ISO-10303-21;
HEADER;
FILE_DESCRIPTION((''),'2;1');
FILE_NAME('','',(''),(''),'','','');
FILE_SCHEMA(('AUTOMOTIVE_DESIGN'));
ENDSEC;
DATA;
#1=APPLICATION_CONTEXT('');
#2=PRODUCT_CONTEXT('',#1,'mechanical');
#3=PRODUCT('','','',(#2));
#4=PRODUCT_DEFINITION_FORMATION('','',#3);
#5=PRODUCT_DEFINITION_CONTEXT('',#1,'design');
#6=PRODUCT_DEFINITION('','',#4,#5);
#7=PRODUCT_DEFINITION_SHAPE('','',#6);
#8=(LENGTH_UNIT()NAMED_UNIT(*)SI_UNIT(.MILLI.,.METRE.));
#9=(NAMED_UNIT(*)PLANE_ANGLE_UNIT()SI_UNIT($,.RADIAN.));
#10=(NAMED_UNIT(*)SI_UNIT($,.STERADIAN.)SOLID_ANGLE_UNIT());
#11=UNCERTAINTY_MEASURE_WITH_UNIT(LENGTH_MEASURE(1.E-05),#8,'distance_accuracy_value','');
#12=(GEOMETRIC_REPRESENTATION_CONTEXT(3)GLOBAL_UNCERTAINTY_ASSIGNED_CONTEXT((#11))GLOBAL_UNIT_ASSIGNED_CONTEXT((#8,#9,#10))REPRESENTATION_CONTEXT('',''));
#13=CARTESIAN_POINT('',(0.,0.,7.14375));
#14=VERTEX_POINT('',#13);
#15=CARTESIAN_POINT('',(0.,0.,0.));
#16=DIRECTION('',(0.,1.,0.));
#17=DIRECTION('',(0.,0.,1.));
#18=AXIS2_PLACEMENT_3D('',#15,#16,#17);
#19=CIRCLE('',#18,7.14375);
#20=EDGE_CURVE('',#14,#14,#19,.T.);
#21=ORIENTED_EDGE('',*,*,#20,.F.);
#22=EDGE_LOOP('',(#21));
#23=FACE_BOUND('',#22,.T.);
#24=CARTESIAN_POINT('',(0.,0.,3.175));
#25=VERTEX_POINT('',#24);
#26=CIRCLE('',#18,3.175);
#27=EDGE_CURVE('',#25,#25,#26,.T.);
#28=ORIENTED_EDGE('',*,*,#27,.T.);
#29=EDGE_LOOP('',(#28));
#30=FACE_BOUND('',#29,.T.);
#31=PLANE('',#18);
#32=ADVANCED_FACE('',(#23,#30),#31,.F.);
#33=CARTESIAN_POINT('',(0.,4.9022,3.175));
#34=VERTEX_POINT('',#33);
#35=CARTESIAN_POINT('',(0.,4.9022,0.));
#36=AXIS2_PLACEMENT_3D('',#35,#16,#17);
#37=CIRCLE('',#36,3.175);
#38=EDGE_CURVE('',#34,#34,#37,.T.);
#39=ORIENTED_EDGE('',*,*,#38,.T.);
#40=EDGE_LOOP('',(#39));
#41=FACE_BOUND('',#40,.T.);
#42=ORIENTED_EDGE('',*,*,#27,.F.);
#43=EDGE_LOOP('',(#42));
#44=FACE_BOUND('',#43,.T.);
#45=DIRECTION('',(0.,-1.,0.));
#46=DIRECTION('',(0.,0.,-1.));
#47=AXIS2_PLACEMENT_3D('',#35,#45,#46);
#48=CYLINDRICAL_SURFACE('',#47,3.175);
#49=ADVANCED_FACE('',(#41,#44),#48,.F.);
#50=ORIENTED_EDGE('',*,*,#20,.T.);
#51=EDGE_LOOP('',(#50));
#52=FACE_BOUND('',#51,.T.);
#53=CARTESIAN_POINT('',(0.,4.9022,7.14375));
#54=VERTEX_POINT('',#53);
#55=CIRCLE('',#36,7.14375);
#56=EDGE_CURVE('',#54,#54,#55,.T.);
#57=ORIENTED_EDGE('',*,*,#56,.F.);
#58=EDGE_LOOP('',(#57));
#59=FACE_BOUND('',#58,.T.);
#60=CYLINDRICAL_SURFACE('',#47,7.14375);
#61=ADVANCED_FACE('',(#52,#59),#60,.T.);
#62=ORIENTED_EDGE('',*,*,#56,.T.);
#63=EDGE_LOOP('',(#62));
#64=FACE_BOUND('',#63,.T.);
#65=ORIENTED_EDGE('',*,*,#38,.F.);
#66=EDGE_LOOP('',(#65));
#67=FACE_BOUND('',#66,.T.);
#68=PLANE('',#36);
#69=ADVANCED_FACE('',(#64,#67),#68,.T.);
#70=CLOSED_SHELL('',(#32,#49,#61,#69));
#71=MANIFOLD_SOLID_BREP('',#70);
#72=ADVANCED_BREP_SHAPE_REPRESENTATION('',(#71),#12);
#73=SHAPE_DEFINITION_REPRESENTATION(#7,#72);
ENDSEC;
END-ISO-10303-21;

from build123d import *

# Parameters (mm, degrees)
SKETCH1_R      = 7.14375
SKETCH1_R_2    = 3.175
EXTRUDE1_DEPTH = 4.9022


with BuildPart() as part:
    # Sketch1 → Extrude1 (new body)
    with BuildSketch(Plane(origin=(0, 0, 0), x_dir=(1, 0, 0), z_dir=(0, 1, 0))):
        Circle(SKETCH1_R)
        Circle(SKETCH1_R_2, mode=Mode.SUBTRACT)
    extrude(amount=EXTRUDE1_DEPTH)


solid = part.part
